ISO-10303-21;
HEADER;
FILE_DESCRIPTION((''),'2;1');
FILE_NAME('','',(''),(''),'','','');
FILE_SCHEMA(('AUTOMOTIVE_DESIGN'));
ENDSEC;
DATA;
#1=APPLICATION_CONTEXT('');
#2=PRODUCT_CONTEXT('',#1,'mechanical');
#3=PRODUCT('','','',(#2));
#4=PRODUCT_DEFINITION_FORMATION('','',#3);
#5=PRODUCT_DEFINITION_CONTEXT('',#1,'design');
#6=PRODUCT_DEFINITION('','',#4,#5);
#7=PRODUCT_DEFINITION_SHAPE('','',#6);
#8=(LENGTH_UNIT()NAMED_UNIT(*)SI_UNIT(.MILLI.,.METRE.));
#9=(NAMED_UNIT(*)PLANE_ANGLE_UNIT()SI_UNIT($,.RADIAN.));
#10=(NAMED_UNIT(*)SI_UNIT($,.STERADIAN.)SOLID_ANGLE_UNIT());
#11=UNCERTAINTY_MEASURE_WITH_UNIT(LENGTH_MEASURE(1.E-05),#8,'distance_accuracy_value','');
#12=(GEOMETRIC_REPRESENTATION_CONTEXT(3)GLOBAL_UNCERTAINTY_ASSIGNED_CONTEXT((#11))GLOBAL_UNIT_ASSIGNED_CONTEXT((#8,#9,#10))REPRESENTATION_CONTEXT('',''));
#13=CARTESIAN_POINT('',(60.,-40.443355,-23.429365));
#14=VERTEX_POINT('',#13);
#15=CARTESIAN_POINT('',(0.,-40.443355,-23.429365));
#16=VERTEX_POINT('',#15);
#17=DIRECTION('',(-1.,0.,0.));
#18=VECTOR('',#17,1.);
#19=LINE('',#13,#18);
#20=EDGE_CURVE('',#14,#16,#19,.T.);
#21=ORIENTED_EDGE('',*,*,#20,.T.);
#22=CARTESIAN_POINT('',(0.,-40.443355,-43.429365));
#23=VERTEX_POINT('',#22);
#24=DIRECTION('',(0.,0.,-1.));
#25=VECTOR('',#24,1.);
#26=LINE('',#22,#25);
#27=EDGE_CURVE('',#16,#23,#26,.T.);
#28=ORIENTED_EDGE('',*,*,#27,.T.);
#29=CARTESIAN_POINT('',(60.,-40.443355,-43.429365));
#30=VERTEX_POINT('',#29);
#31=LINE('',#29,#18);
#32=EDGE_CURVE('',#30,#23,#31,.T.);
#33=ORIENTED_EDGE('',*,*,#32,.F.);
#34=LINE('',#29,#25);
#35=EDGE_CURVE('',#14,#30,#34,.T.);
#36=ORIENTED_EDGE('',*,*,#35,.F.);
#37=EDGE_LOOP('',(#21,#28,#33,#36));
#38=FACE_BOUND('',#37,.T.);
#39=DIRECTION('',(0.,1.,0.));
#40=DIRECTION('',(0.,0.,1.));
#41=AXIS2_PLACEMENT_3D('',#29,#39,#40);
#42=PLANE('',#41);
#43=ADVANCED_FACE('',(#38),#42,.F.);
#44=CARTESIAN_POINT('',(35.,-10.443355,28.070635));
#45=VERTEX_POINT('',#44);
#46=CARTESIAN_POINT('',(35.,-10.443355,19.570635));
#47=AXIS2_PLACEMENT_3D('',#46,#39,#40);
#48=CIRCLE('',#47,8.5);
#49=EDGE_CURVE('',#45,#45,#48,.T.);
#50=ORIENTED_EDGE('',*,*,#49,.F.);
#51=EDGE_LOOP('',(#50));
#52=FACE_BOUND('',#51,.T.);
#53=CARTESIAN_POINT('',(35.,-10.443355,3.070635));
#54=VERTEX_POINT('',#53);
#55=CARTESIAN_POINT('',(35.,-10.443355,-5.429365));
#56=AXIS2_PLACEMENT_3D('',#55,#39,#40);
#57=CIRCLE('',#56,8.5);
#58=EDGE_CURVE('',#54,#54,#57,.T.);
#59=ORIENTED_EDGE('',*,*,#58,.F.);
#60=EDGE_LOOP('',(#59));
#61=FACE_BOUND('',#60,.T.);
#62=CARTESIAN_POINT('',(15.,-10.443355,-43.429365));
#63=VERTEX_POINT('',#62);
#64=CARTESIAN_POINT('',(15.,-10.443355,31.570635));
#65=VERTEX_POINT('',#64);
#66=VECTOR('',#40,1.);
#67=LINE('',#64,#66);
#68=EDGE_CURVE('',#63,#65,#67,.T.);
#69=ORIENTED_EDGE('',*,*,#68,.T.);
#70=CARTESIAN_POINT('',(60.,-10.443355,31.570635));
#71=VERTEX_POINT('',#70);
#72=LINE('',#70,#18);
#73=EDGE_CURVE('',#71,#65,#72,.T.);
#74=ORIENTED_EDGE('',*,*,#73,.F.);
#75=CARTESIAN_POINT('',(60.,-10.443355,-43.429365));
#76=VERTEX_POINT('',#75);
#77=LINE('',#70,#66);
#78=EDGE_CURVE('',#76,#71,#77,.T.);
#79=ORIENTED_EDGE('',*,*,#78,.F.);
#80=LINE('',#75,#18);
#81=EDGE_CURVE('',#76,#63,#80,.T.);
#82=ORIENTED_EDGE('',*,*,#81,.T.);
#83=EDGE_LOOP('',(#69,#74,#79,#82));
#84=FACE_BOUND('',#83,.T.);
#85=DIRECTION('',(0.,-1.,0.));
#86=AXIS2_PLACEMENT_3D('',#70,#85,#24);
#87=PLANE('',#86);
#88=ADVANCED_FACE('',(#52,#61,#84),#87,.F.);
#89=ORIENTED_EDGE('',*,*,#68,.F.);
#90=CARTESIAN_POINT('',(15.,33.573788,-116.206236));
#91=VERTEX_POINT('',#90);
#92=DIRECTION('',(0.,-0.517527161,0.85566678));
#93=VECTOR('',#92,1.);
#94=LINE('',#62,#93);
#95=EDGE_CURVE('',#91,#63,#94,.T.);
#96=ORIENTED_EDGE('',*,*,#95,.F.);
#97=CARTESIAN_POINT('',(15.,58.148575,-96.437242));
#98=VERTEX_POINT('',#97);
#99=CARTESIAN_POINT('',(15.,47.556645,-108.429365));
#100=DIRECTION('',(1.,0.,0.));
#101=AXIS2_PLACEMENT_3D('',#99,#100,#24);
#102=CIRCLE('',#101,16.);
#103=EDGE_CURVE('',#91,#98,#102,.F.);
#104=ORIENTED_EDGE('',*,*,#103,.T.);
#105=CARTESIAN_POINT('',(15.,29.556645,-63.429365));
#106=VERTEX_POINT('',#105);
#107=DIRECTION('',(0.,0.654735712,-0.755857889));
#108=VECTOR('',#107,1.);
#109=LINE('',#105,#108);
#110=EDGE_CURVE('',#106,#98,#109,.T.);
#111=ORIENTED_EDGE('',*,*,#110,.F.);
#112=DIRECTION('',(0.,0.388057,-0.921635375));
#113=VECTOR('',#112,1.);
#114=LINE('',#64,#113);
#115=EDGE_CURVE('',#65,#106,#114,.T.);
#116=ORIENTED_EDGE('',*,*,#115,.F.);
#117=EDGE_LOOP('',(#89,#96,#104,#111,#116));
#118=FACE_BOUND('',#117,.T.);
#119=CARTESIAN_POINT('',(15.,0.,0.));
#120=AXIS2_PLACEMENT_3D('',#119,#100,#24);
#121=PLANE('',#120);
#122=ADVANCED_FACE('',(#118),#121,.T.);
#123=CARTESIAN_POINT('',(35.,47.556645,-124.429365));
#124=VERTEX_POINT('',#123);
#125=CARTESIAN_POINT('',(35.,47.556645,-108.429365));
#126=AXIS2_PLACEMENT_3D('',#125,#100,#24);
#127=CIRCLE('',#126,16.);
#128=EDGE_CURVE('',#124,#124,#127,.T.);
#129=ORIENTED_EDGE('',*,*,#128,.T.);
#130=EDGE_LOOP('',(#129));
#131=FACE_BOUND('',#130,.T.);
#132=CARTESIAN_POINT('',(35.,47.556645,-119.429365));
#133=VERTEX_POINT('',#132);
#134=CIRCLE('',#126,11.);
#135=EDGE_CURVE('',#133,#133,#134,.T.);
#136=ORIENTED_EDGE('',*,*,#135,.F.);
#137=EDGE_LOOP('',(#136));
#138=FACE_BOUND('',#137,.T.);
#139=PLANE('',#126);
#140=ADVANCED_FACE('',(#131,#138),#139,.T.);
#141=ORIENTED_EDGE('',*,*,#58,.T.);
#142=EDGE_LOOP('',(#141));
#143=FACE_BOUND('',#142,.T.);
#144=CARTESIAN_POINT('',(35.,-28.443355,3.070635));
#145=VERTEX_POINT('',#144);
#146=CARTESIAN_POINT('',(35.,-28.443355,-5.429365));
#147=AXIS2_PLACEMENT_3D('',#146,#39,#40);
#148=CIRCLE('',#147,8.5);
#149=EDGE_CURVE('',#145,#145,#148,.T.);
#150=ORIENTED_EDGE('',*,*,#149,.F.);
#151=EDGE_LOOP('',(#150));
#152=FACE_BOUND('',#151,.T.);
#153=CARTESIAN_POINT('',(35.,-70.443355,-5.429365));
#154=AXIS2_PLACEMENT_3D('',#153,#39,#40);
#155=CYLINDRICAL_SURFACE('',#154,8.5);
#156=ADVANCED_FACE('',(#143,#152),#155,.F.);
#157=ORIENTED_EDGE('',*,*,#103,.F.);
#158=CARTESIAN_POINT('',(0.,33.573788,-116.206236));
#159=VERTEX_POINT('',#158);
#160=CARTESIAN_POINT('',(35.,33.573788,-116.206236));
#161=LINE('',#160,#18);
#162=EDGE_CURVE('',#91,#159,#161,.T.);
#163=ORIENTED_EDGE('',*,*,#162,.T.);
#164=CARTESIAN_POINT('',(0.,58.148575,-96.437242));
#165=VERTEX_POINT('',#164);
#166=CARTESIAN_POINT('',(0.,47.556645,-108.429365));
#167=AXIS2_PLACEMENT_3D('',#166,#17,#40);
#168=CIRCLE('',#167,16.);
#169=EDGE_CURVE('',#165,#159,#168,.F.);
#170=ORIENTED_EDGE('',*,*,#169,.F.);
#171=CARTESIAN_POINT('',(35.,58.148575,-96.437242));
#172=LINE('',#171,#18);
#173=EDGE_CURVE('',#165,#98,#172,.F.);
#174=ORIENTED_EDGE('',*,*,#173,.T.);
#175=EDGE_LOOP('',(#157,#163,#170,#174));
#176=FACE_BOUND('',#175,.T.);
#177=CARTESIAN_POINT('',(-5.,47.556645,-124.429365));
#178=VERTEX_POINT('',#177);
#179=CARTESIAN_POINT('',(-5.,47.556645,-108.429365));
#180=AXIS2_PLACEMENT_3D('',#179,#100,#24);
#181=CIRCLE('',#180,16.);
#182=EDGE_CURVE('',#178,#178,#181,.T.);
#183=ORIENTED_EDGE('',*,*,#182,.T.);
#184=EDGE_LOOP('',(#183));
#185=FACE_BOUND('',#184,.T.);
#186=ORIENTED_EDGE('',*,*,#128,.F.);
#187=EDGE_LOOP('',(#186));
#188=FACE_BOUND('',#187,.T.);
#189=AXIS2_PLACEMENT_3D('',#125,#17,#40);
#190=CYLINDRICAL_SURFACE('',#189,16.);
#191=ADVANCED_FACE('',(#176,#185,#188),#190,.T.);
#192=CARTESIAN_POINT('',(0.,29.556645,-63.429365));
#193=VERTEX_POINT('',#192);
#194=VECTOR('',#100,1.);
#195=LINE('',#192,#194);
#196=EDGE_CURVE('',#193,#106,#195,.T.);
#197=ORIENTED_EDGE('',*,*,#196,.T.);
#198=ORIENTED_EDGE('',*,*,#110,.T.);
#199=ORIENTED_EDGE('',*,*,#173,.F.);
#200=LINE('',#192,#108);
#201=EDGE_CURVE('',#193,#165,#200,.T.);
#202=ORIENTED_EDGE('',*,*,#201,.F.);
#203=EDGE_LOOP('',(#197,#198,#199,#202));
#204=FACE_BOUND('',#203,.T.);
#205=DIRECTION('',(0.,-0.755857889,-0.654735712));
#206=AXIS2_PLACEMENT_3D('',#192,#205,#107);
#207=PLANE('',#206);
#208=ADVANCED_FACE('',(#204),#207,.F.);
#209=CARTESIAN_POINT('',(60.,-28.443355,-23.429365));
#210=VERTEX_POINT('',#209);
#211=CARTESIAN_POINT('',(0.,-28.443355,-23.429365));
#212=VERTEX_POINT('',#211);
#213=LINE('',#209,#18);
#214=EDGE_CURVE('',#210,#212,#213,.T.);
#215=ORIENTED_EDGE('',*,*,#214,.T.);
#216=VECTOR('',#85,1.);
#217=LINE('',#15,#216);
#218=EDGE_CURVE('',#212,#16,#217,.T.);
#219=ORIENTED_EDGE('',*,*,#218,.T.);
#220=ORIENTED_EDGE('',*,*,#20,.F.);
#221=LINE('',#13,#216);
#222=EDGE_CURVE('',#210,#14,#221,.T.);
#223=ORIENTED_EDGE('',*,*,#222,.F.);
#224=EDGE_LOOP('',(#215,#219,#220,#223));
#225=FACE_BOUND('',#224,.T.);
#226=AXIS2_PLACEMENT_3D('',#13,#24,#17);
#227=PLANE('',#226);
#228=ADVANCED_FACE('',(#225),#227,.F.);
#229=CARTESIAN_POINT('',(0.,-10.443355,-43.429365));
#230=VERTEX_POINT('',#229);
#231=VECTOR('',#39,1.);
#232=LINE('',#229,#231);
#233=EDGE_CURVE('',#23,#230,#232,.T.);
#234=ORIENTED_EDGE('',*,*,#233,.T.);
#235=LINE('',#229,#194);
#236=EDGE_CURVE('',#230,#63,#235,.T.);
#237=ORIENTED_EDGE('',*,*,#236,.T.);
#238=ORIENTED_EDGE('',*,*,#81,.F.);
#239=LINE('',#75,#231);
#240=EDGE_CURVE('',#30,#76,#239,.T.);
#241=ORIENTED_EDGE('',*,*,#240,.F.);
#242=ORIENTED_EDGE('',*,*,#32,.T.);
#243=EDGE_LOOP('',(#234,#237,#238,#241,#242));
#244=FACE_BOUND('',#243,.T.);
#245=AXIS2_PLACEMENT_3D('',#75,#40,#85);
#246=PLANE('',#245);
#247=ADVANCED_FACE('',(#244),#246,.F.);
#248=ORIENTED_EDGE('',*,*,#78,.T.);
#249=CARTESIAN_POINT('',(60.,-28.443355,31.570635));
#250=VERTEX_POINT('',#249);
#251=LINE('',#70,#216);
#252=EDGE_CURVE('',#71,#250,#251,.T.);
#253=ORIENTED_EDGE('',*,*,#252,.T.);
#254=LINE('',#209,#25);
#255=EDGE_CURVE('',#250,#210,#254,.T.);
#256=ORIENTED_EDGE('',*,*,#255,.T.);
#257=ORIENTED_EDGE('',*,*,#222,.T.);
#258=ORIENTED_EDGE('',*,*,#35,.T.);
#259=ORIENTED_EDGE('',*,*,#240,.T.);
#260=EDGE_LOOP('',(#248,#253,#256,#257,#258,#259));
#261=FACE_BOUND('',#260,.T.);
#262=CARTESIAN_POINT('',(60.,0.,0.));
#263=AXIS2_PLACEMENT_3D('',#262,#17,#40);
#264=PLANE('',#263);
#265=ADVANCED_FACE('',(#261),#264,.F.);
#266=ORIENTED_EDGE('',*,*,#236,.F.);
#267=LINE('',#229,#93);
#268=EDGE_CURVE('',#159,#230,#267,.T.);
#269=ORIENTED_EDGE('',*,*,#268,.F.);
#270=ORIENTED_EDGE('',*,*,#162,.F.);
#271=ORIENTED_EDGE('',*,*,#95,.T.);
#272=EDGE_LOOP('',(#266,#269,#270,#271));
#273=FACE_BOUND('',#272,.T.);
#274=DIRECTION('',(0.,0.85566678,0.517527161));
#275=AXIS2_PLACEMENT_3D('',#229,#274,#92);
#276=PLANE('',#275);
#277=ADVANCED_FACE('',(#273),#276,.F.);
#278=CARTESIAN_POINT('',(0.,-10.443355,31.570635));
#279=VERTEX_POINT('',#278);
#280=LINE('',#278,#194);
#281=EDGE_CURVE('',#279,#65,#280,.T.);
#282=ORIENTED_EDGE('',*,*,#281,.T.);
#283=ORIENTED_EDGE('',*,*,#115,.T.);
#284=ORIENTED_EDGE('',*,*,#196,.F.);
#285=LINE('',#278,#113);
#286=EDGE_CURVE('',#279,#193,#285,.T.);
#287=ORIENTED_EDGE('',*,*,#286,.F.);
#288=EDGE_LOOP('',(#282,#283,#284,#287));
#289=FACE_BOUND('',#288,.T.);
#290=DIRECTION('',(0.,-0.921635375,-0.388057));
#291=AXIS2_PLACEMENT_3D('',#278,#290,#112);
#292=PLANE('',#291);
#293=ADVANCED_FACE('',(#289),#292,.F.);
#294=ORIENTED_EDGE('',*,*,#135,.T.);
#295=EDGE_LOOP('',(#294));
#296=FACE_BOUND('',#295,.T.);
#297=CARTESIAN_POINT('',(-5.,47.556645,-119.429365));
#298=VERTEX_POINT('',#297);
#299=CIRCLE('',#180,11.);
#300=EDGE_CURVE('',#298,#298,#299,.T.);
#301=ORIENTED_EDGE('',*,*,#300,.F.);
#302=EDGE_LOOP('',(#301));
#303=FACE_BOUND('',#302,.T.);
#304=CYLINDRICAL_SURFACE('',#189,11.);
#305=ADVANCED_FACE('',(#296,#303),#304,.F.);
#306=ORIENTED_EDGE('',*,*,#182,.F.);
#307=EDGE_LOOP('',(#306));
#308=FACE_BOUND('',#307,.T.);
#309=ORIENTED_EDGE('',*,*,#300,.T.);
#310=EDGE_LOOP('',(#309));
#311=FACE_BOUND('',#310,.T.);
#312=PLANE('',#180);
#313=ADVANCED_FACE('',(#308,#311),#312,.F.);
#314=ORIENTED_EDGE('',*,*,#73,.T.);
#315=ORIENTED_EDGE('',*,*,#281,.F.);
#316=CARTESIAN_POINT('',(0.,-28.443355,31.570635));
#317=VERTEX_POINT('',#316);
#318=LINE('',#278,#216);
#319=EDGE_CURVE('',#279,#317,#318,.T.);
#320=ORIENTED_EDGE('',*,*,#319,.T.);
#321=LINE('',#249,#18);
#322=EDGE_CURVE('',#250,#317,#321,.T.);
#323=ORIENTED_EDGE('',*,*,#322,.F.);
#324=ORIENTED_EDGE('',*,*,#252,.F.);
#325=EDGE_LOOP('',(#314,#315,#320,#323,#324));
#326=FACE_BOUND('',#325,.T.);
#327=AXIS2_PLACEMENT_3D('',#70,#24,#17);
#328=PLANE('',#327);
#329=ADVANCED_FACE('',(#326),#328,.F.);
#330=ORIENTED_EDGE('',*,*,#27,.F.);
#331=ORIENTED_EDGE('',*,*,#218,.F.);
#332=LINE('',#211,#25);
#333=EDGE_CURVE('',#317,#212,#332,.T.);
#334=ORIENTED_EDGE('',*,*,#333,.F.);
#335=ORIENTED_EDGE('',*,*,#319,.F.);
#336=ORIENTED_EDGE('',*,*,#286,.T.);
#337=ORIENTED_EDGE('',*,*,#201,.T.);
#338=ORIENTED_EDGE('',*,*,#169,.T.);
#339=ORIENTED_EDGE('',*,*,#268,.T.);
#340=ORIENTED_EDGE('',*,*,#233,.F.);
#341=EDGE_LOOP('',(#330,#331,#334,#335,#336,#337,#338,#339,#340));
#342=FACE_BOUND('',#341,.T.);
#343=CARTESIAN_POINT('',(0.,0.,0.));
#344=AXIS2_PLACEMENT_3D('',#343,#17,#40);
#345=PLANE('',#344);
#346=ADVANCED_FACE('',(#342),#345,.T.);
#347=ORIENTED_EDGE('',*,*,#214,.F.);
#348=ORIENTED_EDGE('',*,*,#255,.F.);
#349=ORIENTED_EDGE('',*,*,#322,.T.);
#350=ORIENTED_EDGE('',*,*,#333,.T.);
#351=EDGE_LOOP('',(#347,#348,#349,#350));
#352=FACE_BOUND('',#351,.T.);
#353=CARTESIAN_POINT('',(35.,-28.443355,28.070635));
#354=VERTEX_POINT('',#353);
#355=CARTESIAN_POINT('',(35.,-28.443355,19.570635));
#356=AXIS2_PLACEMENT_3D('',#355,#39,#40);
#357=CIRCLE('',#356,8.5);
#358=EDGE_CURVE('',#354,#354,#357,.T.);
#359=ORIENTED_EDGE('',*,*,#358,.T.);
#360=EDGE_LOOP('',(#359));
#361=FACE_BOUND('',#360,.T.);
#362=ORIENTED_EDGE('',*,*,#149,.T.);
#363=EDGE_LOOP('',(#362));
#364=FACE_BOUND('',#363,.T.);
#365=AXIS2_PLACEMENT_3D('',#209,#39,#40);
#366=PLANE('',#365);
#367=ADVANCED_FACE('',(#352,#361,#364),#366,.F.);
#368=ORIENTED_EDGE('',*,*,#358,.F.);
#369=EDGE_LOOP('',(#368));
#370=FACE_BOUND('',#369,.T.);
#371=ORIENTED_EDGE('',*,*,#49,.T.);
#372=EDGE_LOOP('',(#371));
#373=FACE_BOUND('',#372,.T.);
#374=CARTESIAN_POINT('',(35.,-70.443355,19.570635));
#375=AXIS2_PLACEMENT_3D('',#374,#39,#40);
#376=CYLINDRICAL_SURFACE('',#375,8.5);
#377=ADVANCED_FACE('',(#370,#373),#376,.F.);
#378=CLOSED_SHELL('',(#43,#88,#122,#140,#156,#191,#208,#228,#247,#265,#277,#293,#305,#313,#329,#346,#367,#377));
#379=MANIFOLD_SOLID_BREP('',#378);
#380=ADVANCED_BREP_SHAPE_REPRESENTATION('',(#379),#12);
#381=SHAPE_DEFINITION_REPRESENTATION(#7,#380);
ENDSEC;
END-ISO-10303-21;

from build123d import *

# Parameters (mm, degrees)
BOSS_EXTRUDE1_DEPTH      = 60
SKETCH2_R                = 8.5
CUT_EXTRUDE1_DEPTH       = 60
BOSS_EXTRUDE2_DEPTH      = 15
SKETCH3_R                = 16
SKETCH3_R_2              = 11
BOSS_EXTRUDE3_DEPTH      = 20
BOSS_EXTRUDE3_DEPTH_BACK = 20
CUT_EXTRUDE2_DEPTH       = 57


with BuildPart() as part:
    # Sketch1 → Boss-Extrude1 (new body)
    with BuildSketch(Plane(origin=(0, 0, 0), x_dir=(0, 0, -1), z_dir=(1, 0, 0))):
        Polygon((-31.570634591, -10.443354749), (-31.570634591, -28.443354749), (23.429365409, -28.443354749), (23.429365409, -40.443354749), (43.429365409, -40.443354749), (43.429365409, -10.443354749), align=None)
    extrude(amount=BOSS_EXTRUDE1_DEPTH)

    # Sketch2 → Cut-Extrude1 (cut)
    with BuildSketch(Plane(origin=(0, -10.443354749, 0), x_dir=(1, 0, 0), z_dir=(0, 1, 0))):
        with Locations(Location((35, -19.570634591, 0), (0, 0, 270))):
            Circle(SKETCH2_R)
        with Locations(Location((35, 5.429365409, 0), (0, 0, 270))):
            Circle(SKETCH2_R)
    extrude(amount=-CUT_EXTRUDE1_DEPTH, mode=Mode.SUBTRACT)

    # 3DSketch1 → Boss-Extrude2 (add)
    with BuildSketch(Plane(origin=(0, -10.443354749, 31.570634591), x_dir=(0, 0.28727544621498696, -0.9578480140408394), z_dir=(1, 0, 0))):
        Polygon((0, 0), (71.838601053, -21.545658466), (155.320085422, 0), (146.20131027, 30.673244689), (102.486579182, 11.022753171), align=None)
    extrude(amount=BOSS_EXTRUDE2_DEPTH)

    # Sketch3 → Boss-Extrude3 (add, two sides)
    with BuildSketch(Plane(origin=(15, 0, 0), x_dir=(0, 0, -1), z_dir=(1, 0, 0))) as boss_extrude3_sk:
        with Locations((108.429365409, 47.556645251)):
            Circle(SKETCH3_R)
        with Locations((108.429365409, 47.556645251)):
            Circle(SKETCH3_R_2, mode=Mode.SUBTRACT)
    extrude(amount=BOSS_EXTRUDE3_DEPTH)
    extrude(boss_extrude3_sk.sketch, amount=-BOSS_EXTRUDE3_DEPTH_BACK)

    # Sketch4 → Cut-Extrude2 (cut)
    with BuildSketch(Plane(origin=(15, 0, 0), x_dir=(0, 0, -1), z_dir=(1, 0, 0))):
        with BuildLine():
            Line((114.460827221, 38.357652457), (102.397903597, 56.755638044))
            ThreePointArc((102.397903597, 56.755638044), (99.230372615, 41.525183439), (114.460827221, 38.357652457))
        make_face()
    extrude(amount=-CUT_EXTRUDE2_DEPTH, mode=Mode.SUBTRACT)


solid = part.part
